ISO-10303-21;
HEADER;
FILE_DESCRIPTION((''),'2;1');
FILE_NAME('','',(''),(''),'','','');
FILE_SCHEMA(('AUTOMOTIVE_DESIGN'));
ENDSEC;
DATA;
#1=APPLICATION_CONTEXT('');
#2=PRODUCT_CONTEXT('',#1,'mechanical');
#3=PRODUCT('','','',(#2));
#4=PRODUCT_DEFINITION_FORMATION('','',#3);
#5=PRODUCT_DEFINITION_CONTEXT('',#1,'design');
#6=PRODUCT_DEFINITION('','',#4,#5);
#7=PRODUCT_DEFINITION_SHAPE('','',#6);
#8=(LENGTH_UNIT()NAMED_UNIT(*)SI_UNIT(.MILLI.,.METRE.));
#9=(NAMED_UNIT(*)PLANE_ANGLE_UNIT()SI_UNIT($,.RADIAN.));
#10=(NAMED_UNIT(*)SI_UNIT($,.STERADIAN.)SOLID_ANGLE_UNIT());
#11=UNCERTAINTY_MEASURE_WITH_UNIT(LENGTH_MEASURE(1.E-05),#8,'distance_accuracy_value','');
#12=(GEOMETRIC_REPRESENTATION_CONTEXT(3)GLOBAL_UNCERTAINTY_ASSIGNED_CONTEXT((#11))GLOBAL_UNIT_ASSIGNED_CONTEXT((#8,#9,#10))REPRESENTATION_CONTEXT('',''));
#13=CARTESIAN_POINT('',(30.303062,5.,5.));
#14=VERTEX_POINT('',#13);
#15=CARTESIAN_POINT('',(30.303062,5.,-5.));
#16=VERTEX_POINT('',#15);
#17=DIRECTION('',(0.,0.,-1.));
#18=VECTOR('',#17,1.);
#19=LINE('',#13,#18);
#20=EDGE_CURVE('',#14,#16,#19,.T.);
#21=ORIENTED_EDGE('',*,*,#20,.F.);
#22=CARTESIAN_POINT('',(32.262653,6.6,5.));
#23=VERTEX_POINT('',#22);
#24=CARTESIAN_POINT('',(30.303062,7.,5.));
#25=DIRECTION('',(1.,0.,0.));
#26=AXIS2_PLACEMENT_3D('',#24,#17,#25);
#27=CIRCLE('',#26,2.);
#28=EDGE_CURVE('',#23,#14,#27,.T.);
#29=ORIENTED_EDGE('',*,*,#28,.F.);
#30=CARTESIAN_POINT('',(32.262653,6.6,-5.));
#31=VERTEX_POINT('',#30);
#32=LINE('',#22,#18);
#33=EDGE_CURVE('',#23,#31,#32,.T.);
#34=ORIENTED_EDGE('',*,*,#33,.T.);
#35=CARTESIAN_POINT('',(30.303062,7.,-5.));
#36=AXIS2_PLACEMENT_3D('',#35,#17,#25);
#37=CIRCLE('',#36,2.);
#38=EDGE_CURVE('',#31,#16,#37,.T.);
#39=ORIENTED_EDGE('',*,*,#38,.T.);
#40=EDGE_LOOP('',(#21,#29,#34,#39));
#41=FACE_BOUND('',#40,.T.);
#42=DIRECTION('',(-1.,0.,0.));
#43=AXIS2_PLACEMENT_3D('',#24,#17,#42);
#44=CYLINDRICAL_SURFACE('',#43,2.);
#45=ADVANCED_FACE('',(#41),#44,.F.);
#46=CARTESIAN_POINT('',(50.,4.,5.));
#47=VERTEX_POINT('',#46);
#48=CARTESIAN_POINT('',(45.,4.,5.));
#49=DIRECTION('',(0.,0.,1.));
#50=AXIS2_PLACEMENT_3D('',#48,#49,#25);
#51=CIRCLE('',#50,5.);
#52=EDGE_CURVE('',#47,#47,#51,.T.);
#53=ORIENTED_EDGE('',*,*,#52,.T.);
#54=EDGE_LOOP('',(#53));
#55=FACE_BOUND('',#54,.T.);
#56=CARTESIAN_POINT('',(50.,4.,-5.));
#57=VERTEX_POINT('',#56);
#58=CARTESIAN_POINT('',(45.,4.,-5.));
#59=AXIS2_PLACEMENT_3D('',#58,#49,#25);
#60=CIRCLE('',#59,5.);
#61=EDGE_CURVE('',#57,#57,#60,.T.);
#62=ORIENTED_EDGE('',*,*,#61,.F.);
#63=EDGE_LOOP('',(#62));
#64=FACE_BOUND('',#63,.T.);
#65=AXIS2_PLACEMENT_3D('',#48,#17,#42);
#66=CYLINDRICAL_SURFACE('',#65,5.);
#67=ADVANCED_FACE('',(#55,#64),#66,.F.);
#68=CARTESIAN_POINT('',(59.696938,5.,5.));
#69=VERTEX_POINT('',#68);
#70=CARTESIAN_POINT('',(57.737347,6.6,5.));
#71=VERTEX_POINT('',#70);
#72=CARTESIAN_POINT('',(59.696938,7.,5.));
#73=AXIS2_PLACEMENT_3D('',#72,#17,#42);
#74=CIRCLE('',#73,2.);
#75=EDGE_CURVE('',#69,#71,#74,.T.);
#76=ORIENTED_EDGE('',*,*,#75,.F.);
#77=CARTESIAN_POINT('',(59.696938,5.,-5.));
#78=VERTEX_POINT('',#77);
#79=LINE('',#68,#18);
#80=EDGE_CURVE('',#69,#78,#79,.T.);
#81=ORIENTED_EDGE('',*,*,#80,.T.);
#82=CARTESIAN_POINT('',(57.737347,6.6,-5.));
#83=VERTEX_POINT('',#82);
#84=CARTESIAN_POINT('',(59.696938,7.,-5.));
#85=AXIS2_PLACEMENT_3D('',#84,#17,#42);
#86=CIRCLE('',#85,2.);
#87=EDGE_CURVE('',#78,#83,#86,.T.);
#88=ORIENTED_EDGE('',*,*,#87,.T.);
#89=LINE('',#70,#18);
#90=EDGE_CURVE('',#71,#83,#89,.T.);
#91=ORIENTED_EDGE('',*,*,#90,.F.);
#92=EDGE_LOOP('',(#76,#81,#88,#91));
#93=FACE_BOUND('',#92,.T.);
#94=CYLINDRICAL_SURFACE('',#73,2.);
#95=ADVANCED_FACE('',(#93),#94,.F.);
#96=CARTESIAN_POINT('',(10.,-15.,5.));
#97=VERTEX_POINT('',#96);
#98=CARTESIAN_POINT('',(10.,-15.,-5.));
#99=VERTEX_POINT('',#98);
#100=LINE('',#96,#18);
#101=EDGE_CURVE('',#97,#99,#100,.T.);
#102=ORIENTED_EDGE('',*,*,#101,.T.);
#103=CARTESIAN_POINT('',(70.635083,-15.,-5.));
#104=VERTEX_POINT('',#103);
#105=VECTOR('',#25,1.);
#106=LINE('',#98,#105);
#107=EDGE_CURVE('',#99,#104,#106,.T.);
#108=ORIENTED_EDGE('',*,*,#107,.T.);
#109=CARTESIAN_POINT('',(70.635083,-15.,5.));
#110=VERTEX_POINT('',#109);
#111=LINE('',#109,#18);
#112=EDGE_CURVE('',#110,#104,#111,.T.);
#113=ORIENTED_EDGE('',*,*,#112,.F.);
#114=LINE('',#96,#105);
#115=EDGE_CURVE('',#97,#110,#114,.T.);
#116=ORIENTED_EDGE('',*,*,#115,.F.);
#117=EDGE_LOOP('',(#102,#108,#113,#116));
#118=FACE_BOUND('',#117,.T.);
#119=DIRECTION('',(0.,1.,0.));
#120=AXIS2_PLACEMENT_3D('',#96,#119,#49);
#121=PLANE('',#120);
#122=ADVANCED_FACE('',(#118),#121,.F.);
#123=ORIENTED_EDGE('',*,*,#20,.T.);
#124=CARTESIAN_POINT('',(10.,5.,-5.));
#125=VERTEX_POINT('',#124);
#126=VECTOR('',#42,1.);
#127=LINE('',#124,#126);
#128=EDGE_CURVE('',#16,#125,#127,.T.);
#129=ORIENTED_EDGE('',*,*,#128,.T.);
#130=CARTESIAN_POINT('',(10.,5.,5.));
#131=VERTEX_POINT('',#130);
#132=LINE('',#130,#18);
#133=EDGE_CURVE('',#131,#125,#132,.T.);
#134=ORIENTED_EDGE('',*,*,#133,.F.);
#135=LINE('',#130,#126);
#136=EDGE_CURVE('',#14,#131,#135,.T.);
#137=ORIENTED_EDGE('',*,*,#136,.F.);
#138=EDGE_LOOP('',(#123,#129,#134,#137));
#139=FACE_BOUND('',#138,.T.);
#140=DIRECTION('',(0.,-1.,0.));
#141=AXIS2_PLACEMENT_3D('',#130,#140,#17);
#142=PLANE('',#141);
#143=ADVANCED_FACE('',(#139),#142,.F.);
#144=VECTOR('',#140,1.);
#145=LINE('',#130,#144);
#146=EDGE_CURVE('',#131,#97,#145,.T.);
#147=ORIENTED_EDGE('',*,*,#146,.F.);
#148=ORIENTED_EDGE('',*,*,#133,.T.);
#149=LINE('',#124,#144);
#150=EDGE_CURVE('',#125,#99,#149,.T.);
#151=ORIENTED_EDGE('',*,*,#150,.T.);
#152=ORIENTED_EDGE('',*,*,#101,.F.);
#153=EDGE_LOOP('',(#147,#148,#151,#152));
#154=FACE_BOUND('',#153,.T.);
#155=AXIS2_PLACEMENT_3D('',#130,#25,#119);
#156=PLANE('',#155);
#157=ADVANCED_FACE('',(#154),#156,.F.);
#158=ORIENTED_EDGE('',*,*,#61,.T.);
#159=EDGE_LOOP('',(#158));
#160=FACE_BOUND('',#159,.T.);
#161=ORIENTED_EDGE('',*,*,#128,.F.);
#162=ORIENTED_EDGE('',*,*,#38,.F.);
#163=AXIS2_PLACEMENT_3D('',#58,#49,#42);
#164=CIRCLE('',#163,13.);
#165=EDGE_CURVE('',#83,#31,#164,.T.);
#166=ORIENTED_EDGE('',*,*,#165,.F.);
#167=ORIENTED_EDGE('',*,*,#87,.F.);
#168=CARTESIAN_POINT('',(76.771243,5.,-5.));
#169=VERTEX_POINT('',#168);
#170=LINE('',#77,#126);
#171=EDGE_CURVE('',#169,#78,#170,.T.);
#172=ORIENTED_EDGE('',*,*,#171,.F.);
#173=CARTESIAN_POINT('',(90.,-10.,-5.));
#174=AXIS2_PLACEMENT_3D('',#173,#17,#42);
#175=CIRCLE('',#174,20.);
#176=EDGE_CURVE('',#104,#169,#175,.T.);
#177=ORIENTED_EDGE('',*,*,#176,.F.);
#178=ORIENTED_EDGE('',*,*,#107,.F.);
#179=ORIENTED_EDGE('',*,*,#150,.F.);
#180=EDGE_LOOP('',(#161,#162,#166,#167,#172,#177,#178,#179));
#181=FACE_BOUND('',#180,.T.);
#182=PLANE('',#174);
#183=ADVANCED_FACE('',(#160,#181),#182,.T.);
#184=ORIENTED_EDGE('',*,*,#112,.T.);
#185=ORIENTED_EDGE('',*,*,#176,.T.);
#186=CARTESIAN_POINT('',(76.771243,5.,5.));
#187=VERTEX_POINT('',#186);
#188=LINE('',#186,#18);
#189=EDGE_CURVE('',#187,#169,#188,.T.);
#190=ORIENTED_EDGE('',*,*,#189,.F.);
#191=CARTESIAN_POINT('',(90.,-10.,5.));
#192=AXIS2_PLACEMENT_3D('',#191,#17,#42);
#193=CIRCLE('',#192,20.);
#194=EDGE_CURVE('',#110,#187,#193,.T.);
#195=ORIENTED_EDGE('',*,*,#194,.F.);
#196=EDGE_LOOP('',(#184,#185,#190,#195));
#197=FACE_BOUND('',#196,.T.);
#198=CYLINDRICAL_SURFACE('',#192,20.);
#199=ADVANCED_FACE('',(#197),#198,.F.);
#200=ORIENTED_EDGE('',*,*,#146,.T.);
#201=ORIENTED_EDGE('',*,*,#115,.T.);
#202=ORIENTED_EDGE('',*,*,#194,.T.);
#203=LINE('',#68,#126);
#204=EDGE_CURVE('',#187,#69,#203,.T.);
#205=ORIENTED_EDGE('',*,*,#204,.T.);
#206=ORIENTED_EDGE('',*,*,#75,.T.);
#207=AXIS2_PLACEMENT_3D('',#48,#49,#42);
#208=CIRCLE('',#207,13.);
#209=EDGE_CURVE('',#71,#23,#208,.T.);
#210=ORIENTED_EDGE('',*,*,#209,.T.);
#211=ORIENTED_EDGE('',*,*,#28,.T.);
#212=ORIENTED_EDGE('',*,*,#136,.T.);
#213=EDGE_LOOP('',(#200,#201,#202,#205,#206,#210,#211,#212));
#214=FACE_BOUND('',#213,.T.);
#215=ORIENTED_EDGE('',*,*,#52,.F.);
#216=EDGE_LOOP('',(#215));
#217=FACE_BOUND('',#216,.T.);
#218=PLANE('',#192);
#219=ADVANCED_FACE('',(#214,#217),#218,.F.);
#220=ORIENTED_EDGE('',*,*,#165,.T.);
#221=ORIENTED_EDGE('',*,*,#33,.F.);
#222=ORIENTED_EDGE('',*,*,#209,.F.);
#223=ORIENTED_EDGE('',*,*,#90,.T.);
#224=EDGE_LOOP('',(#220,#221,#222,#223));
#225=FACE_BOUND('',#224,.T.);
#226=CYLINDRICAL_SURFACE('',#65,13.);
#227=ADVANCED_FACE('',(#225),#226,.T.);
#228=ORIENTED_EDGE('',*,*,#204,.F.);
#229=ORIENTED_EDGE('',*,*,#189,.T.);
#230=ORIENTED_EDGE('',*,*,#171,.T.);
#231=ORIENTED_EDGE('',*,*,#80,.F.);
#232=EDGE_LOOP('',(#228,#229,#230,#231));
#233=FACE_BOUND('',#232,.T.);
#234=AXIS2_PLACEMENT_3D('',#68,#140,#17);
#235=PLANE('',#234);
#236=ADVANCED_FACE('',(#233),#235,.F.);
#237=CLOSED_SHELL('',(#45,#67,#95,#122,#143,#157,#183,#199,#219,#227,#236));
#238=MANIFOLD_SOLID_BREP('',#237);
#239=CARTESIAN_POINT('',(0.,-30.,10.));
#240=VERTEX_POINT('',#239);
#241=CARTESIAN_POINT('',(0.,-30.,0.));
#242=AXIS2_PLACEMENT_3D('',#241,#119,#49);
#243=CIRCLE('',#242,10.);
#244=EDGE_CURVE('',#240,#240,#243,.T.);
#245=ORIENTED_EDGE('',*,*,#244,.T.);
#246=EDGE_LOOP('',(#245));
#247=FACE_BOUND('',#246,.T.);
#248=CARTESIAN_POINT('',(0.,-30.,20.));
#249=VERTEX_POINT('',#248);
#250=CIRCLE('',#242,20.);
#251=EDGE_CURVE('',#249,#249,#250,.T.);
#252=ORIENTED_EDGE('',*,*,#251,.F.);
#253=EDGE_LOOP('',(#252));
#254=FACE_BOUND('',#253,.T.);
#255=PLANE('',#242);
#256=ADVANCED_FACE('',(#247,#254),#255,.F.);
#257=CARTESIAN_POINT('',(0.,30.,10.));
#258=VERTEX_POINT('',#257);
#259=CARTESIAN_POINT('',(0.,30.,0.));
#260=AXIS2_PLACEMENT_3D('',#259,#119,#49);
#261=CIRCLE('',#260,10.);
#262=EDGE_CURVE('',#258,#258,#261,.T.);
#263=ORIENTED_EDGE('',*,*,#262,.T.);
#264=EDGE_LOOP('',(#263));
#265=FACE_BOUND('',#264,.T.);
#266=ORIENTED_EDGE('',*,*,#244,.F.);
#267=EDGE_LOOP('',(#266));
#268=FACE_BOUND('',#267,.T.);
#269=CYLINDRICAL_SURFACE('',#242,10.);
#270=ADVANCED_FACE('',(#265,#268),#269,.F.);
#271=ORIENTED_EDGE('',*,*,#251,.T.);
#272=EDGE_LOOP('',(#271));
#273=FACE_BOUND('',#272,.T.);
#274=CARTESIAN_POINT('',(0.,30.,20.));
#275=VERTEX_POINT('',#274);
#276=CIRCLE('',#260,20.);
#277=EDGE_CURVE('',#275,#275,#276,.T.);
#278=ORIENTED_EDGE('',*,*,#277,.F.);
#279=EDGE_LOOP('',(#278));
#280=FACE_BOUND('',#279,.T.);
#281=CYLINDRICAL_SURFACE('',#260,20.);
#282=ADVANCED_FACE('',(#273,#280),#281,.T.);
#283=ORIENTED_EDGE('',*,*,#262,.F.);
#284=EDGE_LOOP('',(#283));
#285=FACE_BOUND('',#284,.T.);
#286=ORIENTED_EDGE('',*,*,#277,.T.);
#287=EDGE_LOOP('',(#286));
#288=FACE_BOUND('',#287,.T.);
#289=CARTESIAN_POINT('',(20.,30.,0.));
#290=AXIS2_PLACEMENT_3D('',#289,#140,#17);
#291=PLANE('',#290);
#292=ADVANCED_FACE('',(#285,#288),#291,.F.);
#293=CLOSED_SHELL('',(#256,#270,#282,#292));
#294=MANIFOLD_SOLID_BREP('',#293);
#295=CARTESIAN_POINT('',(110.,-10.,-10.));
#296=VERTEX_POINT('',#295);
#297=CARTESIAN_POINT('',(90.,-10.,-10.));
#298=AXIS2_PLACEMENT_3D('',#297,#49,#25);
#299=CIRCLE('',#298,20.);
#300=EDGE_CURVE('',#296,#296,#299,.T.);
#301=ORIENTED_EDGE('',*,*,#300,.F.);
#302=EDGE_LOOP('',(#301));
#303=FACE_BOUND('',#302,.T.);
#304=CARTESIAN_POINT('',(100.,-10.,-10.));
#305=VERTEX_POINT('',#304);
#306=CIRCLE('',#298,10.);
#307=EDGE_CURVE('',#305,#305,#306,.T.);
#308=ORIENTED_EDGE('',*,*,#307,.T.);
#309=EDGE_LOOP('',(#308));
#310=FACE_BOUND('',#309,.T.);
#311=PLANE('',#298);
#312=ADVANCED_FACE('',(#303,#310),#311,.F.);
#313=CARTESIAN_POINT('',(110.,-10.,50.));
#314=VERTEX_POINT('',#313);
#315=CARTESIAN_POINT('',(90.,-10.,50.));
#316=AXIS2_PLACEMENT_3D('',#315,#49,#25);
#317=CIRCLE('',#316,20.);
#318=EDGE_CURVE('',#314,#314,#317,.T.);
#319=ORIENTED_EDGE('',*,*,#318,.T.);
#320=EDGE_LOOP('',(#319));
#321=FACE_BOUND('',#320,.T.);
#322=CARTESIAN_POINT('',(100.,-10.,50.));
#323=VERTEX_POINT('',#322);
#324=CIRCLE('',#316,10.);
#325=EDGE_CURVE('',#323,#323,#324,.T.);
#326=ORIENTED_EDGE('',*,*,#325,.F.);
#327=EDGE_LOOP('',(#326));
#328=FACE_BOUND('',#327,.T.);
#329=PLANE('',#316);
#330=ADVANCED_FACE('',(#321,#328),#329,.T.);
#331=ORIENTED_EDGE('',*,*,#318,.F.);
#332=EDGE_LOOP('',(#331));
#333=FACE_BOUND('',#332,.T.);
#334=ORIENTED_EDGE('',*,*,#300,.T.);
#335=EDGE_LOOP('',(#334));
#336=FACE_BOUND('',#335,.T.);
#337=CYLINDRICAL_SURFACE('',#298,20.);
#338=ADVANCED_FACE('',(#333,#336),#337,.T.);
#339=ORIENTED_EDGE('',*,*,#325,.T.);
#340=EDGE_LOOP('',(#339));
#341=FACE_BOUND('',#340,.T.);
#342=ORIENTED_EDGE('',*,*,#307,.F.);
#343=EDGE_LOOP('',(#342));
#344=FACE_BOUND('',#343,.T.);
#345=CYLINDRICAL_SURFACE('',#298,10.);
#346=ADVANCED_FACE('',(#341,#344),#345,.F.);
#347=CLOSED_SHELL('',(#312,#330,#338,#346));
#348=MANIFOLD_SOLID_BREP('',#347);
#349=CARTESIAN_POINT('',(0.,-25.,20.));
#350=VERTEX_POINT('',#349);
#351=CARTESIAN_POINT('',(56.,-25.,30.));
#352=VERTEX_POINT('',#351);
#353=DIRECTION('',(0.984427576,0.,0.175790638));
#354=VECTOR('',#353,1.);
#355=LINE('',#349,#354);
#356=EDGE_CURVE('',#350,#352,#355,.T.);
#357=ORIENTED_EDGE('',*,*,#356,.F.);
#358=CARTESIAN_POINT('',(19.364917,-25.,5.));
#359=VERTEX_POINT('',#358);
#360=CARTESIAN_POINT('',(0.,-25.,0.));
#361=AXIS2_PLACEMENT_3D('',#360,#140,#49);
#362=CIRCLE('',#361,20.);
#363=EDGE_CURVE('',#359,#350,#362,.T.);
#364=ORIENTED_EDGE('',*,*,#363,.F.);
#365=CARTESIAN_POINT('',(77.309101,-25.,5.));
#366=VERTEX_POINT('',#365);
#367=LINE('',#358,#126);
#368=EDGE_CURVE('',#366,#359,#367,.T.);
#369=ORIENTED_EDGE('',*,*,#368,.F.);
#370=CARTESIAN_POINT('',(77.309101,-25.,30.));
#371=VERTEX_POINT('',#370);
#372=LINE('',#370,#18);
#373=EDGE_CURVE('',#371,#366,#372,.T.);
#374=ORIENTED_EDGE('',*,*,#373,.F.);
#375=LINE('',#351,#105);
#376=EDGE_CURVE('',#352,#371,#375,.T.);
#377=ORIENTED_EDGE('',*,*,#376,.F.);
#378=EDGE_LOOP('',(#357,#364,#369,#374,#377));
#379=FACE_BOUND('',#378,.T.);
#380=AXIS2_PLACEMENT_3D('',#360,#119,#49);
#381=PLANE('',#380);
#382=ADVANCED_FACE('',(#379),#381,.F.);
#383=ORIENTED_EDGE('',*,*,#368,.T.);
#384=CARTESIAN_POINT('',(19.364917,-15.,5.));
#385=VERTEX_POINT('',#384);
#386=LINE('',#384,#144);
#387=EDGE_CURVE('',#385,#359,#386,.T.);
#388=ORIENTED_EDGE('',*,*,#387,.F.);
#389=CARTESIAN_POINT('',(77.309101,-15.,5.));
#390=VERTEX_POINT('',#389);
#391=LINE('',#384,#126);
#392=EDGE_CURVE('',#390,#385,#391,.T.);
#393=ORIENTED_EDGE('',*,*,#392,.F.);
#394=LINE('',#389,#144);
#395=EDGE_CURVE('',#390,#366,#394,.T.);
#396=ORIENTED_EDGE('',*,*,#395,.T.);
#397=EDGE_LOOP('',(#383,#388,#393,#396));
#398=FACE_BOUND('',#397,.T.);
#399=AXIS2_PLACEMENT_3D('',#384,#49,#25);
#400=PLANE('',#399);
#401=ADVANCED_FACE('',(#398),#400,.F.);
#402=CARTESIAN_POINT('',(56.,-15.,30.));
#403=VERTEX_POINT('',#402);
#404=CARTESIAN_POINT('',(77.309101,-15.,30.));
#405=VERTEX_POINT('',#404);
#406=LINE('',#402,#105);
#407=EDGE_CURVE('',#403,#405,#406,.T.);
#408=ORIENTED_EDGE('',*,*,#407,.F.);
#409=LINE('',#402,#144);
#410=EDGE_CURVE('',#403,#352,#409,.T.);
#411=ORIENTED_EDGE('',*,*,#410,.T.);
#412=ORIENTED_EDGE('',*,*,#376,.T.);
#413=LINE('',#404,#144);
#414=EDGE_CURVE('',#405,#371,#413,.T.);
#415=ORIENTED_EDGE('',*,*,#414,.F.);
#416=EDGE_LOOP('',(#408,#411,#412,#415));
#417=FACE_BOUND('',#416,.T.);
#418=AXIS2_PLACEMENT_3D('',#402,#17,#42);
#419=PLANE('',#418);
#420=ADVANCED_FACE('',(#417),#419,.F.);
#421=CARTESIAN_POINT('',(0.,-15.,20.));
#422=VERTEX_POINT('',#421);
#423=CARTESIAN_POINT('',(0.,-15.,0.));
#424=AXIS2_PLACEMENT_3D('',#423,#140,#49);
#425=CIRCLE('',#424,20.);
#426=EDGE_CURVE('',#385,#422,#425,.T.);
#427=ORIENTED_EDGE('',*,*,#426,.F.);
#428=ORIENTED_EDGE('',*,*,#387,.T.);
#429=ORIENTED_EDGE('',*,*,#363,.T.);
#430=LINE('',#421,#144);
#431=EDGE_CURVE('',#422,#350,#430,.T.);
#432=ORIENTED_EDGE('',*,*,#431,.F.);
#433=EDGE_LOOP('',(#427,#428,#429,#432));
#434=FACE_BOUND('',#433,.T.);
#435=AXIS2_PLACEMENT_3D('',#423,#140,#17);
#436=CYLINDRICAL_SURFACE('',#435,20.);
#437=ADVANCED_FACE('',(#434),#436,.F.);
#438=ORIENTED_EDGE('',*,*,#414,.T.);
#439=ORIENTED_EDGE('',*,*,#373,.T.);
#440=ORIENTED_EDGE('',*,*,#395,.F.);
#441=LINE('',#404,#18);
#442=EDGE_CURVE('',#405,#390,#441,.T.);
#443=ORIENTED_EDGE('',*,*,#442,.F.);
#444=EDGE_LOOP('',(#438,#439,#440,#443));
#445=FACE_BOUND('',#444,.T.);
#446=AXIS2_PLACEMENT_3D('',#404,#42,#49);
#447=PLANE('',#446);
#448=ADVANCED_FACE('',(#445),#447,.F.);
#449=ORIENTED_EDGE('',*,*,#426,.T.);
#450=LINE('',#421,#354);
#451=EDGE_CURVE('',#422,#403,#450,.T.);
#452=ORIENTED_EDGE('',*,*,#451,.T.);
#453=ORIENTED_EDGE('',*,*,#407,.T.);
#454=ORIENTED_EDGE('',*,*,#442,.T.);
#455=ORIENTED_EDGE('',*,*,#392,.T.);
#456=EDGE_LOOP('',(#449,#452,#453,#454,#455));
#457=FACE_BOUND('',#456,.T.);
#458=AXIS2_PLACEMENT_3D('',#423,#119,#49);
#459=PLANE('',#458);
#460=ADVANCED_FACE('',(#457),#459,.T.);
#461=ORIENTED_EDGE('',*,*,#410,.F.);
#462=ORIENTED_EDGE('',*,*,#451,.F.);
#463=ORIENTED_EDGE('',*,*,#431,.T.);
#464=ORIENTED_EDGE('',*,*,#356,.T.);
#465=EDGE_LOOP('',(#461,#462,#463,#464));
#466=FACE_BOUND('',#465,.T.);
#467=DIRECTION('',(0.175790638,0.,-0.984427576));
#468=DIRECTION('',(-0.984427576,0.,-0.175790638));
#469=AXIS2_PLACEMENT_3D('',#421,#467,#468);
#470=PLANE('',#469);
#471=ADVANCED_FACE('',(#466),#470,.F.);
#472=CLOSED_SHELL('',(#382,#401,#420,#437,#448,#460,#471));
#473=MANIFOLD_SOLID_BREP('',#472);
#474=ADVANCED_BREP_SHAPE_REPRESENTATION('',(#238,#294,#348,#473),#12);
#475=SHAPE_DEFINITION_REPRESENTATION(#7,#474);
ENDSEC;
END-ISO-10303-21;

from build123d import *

# Parameters (mm, degrees)
SKETCH1_W          = 20
SKETCH1_H          = 60
SKETCH2_R          = 10
CUT_EXTRUDE1_DEPTH = 61
SKETCH3_R          = 20
SKETCH3_R_2        = 10
CYL_BLUE_DEPTH     = 60
SKETCH4_R          = 5
BASE_YELLOW_DEPTH  = 10
BASE_RED_DEPTH     = 10


with BuildPart() as part:
    # Sketch1 → cyl-purple (revolve)
    with BuildSketch(Plane.XY):
        with Locations((10, 0)):
            Rectangle(SKETCH1_W, SKETCH1_H)
    revolve(axis=Axis((0, 30, 0), (0, -1, 0)))

    # Sketch2 → Cut-Extrude1 (cut, through all)
    with BuildSketch(Plane(origin=(0, 30, 0), x_dir=(1, 0, 0), z_dir=(0, 1, 0))):
        Circle(SKETCH2_R)
    extrude(amount=-CUT_EXTRUDE1_DEPTH, mode=Mode.SUBTRACT)


with BuildPart() as body_2:
    # Sketch3 → cyl-blue (new body)
    with BuildSketch(Plane.XY.offset(50)):
        with Locations((90, -10)):
            Circle(SKETCH3_R)
        with Locations((90, -10)):
            Circle(SKETCH3_R_2, mode=Mode.SUBTRACT)
    extrude(amount=-CYL_BLUE_DEPTH)


with BuildPart() as body_3:
    # Sketch4 → base-yellow (new body)
    with BuildSketch(Plane.XY.offset(-5)):
        with BuildLine():
            Line((10, -15), (70.635083269, -15))
            ThreePointArc((70.635083269, -15), (70.879673523, -4.133730706), (76.771243445, 5))
            Line((76.771243445, 5), (59.696938457, 5))
            ThreePointArc((59.696938457, 5), (58.432027393, 5.450806662), (57.737346662, 6.6))
            ThreePointArc((57.737346662, 6.6), (45, 17), (32.262653338, 6.6))
            ThreePointArc((32.262653338, 6.6), (31.567972607, 5.450806662), (30.303061543, 5))
            Line((30.303061543, 5), (10, 5))
            Line((10, 5), (10, -15))
        make_face()
        with Locations((45, 4)):
            Circle(SKETCH4_R, mode=Mode.SUBTRACT)
    extrude(amount=BASE_YELLOW_DEPTH)


with BuildPart() as body_4:
    # Sketch6 → base-red (new body)
    with BuildSketch(Plane(origin=(0, -25, 0), x_dir=(1, 0, 0), z_dir=(0, 1, 0))):
        with BuildLine():
            Line((0, -20), (56, -30))
            Line((56, -30), (77.309100809, -30))
            Line((77.309100809, -30), (77.309100809, -5))
            Line((77.309100809, -5), (19.364916731, -5))
            ThreePointArc((19.364916731, -5), (12.247448714, -15.811388301), (0, -20))
        make_face()
    extrude(amount=BASE_RED_DEPTH)


solid = Compound([part.part, body_2.part, body_3.part, body_4.part])
